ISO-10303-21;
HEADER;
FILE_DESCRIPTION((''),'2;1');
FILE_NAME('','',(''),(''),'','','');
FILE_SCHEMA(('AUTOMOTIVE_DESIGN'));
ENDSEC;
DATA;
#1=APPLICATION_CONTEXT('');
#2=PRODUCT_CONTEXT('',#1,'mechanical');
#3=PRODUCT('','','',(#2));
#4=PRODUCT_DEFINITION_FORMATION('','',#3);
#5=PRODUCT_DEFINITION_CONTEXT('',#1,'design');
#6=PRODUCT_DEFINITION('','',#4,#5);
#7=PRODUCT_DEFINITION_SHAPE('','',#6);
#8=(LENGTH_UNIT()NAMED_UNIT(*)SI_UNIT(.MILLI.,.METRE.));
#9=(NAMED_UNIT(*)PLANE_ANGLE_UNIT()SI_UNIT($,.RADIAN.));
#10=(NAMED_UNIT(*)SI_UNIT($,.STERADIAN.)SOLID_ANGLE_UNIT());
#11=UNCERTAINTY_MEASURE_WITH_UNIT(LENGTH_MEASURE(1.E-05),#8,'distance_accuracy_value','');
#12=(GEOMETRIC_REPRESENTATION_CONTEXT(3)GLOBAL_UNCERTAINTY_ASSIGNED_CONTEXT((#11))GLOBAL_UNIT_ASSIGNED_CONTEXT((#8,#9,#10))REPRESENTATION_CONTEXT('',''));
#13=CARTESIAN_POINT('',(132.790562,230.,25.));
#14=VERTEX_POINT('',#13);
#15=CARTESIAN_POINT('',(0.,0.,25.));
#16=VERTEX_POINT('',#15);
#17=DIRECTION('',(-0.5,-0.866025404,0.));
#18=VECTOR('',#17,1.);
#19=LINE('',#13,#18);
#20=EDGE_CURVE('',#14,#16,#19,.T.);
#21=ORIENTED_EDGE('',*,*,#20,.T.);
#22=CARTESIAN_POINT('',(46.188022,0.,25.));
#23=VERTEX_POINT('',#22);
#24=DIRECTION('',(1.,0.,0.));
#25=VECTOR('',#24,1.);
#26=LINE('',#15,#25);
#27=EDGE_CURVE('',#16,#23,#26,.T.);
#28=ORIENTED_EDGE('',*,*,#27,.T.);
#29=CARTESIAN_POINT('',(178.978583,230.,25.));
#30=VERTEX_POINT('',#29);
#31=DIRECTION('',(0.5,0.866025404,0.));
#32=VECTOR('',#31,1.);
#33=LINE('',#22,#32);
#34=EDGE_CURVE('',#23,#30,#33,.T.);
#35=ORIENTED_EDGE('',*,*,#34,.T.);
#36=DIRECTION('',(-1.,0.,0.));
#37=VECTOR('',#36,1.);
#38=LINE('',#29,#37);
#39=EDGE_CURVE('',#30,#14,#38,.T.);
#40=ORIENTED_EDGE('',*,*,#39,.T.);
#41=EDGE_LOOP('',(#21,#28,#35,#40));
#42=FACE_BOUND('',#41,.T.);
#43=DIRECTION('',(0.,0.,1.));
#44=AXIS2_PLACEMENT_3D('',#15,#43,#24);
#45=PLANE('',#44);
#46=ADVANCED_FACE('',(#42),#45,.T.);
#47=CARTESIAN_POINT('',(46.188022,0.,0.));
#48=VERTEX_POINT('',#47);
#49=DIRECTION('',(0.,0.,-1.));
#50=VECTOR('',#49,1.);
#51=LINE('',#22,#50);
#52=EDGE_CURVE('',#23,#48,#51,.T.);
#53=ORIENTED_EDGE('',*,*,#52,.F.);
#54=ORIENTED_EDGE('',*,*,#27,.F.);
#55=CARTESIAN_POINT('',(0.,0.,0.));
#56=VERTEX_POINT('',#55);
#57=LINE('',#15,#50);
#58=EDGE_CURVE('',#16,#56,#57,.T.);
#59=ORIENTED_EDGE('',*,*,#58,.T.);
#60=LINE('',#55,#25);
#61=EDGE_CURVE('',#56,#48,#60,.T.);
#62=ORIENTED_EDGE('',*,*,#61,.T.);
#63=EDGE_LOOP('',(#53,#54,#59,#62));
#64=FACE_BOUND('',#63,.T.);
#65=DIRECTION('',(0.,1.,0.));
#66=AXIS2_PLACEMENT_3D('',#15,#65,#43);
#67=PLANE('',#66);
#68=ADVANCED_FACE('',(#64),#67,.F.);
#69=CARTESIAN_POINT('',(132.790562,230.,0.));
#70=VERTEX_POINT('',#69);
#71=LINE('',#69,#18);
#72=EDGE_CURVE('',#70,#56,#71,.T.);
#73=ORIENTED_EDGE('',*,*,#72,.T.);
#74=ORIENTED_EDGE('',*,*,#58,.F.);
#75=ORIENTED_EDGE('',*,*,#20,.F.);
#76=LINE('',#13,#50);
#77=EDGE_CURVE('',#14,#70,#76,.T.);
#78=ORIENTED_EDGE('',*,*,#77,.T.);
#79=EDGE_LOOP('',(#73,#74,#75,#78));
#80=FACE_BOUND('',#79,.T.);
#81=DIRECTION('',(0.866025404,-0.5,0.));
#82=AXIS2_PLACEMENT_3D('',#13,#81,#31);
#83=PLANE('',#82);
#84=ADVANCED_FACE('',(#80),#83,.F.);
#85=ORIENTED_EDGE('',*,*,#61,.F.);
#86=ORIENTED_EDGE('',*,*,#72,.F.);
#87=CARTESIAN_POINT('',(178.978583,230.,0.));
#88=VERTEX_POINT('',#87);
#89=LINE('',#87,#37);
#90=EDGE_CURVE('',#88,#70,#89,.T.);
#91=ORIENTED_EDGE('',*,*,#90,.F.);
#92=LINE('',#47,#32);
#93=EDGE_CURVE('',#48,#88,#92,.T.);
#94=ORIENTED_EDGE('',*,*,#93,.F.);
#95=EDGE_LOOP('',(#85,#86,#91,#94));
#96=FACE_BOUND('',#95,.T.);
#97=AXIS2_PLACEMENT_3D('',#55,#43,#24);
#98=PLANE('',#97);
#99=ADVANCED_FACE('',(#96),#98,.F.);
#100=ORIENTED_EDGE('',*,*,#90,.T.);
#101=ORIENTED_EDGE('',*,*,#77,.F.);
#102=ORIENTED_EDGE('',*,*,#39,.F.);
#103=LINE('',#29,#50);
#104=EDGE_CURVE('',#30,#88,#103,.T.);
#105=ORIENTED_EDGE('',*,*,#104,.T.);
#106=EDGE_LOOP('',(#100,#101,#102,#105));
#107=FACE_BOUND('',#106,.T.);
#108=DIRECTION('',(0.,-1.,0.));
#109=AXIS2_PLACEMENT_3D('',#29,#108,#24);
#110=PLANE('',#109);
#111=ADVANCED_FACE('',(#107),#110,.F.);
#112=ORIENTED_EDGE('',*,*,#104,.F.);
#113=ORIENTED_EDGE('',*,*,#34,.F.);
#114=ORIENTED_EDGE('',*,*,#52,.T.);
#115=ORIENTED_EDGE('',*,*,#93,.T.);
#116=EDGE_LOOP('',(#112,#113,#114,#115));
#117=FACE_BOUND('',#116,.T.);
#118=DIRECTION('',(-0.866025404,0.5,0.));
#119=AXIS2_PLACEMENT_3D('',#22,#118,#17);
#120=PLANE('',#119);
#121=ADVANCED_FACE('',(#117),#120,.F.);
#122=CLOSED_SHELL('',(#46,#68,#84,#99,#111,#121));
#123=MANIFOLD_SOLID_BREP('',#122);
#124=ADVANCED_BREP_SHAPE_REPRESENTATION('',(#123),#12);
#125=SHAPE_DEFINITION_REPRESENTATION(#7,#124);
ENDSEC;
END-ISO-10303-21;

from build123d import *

# Parameters (mm, degrees)
BOSS_EXTRU_1_DEPTH = 25


with BuildPart() as part:
    # Esquisse1 → Boss.-Extru.1 (new body)
    with BuildSketch(Plane.XY):
        Polygon((0, 0), (46.188021535, 0), (178.978583449, 230), (132.790561914, 230), align=None)
    extrude(amount=BOSS_EXTRU_1_DEPTH)


solid = part.part
